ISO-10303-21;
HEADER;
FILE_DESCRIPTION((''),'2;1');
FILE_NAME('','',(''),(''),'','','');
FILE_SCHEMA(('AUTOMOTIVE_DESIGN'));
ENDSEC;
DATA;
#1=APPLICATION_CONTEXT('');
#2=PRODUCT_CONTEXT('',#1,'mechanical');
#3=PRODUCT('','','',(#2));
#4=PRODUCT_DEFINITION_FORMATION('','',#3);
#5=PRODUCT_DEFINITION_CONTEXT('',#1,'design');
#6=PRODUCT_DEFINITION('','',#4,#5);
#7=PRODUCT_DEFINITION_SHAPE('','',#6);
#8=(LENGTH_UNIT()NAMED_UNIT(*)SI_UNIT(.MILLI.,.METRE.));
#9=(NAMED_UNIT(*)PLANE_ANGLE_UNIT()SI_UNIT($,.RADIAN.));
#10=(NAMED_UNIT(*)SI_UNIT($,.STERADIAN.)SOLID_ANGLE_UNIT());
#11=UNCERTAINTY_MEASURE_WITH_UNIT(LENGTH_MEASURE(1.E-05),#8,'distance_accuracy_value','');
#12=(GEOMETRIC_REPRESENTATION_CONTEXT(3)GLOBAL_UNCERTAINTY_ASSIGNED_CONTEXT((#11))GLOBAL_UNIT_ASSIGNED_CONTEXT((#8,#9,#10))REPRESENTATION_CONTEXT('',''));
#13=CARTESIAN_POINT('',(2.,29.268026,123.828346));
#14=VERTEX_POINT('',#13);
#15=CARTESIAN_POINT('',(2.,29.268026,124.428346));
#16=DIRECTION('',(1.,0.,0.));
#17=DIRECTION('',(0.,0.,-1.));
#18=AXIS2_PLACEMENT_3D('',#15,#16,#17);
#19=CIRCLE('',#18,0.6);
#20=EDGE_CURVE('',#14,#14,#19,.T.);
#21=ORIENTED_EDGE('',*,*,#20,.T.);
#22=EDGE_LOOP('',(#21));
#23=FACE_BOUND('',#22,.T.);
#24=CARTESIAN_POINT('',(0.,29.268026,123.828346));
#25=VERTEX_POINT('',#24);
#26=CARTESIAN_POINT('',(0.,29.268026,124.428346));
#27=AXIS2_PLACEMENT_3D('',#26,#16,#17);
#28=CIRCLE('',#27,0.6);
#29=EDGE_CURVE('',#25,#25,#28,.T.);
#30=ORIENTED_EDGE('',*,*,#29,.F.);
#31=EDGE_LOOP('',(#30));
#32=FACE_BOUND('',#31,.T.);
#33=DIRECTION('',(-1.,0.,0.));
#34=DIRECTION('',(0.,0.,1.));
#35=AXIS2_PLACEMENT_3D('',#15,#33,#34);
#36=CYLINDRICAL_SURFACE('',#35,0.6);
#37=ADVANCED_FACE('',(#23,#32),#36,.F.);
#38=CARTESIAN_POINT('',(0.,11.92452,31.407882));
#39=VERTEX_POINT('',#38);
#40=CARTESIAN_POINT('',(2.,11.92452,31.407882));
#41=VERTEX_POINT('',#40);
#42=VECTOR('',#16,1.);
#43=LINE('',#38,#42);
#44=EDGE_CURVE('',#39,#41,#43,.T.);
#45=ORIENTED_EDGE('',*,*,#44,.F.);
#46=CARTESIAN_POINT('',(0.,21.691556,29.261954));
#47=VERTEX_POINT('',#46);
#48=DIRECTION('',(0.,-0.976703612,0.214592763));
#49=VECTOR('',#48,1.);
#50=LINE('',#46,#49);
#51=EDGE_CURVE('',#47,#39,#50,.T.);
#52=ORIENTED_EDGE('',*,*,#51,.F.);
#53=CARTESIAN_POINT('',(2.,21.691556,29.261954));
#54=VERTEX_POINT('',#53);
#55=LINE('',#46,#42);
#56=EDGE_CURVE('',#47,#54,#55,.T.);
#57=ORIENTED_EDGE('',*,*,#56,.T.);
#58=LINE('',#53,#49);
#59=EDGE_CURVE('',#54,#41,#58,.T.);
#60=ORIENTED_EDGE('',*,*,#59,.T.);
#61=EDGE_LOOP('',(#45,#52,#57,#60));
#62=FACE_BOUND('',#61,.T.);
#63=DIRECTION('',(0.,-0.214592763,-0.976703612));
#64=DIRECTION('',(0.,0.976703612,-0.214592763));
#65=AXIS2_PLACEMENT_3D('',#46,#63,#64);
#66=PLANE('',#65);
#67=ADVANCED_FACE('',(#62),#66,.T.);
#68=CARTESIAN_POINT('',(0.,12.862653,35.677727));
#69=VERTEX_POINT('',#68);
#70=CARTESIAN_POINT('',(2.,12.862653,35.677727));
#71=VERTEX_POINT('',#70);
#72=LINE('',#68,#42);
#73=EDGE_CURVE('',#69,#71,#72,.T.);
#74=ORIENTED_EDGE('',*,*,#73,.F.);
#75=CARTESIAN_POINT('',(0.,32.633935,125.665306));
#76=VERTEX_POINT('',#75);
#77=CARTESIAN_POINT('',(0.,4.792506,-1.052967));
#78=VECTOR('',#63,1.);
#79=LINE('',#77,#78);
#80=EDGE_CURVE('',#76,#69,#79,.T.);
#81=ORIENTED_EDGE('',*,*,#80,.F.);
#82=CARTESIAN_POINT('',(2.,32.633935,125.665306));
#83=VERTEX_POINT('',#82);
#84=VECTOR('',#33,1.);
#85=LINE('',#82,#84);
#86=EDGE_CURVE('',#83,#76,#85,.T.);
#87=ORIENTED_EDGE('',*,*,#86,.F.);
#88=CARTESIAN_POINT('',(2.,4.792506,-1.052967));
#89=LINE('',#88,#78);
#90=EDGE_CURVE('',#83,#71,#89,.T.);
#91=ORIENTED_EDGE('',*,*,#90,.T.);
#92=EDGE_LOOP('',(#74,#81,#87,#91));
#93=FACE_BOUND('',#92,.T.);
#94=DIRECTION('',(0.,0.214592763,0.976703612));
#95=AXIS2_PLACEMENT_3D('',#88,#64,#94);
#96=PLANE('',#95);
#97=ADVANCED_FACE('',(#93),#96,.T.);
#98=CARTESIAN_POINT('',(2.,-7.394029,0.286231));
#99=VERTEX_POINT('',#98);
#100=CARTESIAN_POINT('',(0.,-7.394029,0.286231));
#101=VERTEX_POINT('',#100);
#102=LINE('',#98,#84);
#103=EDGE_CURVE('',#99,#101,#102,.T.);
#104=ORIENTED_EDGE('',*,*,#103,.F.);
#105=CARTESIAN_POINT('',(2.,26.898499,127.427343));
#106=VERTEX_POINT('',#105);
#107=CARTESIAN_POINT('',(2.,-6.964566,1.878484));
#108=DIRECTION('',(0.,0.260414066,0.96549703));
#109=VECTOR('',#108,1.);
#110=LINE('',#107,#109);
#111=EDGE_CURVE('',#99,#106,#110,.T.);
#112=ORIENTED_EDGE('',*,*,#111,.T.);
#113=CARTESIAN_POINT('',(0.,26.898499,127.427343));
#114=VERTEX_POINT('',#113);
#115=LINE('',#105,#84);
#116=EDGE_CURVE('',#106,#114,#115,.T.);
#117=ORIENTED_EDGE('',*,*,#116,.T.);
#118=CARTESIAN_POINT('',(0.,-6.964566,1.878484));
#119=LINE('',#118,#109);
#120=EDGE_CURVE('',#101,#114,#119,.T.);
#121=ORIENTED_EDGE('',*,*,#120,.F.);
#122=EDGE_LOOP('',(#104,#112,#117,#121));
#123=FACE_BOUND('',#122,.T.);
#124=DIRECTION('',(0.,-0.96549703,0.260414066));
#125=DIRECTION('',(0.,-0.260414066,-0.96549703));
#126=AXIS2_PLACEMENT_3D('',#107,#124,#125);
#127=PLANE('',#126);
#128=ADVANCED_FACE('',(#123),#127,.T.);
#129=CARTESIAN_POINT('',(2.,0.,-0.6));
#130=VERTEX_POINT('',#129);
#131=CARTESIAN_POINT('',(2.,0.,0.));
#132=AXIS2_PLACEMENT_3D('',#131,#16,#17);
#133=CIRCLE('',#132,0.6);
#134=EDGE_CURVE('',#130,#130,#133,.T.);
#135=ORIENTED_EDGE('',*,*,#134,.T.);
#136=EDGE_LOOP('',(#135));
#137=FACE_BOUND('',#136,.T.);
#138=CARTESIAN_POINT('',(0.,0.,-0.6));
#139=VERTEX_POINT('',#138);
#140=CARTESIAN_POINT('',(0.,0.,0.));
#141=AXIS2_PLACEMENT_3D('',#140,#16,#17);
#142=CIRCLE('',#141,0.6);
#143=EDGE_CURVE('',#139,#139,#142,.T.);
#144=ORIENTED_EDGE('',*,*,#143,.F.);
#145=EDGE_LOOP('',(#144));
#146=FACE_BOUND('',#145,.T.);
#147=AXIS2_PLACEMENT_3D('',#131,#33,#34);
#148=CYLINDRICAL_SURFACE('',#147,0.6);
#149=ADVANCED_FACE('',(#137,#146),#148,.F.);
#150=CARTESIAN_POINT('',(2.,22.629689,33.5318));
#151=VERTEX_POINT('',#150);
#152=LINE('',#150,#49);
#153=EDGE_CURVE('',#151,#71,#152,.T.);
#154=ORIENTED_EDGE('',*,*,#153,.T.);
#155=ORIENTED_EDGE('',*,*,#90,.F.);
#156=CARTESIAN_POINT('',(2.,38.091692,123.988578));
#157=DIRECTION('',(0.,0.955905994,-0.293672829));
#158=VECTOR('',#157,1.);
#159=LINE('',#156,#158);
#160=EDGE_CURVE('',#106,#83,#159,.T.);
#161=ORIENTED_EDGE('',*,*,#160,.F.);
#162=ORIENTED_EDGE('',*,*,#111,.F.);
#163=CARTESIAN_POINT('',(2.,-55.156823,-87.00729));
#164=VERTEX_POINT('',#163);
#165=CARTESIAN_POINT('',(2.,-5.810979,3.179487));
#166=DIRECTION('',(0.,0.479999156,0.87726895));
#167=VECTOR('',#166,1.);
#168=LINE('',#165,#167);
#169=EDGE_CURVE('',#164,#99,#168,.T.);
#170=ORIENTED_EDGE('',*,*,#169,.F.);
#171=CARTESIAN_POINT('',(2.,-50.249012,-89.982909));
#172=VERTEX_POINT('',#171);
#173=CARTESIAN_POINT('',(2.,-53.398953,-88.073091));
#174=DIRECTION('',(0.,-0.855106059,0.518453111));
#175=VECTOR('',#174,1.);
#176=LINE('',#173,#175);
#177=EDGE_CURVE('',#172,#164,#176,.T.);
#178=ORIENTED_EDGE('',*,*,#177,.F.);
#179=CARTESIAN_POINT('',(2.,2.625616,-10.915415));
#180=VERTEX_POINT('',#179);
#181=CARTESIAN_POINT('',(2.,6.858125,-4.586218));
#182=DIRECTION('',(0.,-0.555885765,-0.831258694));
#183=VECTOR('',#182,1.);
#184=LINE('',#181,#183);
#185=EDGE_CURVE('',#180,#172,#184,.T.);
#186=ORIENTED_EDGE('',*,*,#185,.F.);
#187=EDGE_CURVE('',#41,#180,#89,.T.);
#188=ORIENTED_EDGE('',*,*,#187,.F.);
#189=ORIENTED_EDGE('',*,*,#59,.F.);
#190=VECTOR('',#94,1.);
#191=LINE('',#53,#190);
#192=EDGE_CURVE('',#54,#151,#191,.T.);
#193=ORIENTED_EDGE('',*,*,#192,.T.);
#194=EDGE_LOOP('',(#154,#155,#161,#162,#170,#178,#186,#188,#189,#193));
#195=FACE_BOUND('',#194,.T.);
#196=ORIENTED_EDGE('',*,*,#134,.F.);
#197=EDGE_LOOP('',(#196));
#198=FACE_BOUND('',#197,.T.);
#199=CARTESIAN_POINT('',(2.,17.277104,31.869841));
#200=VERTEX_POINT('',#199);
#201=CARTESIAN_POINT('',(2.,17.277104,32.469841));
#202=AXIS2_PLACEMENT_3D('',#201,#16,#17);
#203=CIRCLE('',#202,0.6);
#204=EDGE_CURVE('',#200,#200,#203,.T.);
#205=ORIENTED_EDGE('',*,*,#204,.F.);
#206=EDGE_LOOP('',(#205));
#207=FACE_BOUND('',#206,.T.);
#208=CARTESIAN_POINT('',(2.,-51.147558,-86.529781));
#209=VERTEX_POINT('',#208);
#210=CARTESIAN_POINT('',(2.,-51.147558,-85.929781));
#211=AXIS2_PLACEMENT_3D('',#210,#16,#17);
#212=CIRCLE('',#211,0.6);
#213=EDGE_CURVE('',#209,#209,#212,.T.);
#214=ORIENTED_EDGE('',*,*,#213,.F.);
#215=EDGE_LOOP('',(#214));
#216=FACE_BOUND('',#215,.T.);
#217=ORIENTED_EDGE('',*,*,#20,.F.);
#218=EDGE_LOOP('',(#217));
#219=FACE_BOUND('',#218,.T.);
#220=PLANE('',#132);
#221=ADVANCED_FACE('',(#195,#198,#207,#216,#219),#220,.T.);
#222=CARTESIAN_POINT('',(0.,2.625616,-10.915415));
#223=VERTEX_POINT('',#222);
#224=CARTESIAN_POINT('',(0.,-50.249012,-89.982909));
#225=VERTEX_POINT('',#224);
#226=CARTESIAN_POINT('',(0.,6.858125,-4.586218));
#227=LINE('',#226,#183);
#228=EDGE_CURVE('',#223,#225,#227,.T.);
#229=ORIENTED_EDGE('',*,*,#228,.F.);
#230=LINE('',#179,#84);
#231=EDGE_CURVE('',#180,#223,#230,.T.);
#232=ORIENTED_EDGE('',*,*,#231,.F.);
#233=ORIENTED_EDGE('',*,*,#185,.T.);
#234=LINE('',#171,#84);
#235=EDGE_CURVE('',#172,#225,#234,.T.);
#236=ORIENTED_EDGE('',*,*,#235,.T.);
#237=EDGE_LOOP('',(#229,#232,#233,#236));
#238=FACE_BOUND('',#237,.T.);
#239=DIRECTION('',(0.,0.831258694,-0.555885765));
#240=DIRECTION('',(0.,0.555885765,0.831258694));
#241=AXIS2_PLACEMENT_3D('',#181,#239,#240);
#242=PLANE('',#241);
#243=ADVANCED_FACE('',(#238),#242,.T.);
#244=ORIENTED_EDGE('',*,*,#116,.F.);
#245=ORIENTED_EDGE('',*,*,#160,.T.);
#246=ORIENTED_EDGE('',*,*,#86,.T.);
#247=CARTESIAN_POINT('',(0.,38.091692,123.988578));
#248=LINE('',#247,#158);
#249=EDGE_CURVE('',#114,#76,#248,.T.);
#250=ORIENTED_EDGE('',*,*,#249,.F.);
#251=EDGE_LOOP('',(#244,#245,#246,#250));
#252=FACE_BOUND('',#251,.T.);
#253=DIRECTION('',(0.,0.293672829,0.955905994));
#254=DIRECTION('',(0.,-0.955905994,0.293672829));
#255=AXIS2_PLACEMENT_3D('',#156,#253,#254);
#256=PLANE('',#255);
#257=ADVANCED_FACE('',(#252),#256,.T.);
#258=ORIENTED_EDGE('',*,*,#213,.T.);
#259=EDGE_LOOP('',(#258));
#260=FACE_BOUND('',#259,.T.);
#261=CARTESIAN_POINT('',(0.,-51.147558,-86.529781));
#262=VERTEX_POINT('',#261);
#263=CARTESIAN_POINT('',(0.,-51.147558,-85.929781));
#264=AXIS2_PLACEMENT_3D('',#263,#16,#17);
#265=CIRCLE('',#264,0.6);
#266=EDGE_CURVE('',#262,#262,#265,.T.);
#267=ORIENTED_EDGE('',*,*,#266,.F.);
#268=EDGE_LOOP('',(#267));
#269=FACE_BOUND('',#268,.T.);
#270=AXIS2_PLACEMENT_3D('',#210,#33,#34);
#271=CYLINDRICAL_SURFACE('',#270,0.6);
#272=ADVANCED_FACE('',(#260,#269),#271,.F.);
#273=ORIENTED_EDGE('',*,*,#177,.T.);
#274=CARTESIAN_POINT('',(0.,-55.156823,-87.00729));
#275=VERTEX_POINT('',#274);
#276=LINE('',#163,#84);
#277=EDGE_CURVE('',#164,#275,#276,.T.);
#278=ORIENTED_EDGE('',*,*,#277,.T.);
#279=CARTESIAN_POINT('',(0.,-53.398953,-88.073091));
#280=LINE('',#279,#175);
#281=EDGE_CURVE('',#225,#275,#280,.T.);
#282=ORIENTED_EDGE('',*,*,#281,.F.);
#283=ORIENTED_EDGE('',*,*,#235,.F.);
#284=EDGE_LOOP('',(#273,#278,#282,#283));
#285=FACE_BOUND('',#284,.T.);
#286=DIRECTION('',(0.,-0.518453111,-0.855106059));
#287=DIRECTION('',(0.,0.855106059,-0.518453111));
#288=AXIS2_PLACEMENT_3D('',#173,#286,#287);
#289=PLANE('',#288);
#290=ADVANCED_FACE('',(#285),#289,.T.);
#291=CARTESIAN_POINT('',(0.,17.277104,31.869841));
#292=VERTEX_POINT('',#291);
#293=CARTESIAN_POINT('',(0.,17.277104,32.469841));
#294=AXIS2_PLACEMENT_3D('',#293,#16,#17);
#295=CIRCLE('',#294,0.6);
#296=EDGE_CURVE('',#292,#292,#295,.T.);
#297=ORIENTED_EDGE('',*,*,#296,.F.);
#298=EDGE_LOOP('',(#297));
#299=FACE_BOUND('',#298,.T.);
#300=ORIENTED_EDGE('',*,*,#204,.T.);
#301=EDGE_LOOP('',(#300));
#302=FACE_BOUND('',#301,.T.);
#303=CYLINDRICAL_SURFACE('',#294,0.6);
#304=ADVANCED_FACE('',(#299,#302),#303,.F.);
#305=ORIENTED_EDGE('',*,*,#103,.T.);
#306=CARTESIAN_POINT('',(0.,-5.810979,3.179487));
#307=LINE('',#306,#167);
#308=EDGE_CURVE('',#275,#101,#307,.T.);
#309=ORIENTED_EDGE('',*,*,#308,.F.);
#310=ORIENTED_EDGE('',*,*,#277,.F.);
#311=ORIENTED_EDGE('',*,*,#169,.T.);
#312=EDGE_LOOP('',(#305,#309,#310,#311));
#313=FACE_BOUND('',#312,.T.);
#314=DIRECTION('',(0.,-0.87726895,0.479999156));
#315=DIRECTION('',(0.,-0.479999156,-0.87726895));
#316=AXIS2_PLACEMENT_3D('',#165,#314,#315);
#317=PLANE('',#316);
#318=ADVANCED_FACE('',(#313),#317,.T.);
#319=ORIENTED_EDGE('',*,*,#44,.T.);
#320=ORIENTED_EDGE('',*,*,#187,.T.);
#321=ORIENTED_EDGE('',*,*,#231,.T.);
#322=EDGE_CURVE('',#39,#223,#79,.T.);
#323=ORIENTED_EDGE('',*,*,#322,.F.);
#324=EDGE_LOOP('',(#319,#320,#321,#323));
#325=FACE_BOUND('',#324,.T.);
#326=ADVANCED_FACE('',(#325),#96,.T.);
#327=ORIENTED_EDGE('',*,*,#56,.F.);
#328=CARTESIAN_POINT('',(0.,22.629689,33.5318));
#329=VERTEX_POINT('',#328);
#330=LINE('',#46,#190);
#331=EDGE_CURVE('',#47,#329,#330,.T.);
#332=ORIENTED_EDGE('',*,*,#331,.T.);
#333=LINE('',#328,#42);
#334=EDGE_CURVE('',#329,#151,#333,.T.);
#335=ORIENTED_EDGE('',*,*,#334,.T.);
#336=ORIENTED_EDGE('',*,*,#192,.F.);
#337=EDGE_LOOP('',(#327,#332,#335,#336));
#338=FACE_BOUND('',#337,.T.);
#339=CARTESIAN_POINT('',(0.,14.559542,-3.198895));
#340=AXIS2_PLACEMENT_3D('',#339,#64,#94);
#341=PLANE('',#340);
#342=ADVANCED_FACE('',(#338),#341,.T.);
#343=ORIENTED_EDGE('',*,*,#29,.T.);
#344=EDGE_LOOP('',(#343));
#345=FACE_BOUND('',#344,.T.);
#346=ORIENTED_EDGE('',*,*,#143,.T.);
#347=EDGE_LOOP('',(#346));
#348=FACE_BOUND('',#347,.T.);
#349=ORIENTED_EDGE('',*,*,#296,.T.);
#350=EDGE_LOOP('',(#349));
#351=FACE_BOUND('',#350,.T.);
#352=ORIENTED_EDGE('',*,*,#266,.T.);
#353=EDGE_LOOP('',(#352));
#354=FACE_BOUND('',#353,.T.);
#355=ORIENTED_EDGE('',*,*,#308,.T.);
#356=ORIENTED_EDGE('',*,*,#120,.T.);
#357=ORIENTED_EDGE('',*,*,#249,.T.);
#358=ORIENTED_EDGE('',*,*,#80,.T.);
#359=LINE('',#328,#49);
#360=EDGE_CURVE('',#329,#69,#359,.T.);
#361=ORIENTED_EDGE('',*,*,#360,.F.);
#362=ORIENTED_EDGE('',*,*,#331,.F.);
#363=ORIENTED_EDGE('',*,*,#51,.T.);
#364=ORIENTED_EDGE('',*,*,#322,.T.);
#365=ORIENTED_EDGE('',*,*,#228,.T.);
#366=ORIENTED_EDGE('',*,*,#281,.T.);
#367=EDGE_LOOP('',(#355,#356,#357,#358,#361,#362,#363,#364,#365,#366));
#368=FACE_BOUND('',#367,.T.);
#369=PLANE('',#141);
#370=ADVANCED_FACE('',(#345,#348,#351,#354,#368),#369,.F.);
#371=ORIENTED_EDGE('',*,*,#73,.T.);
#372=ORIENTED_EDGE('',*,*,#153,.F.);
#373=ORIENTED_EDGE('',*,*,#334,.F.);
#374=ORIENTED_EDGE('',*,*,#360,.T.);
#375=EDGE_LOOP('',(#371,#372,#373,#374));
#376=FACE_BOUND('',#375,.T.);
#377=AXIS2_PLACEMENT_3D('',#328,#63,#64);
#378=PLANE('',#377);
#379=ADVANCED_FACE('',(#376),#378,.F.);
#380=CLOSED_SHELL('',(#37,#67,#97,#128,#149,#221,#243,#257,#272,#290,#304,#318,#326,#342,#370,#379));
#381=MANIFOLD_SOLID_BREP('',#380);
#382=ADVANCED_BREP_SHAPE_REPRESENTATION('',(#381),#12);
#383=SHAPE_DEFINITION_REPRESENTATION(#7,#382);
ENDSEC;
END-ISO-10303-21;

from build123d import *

# Parameters (mm, degrees)
SKETCH_1_R          = 0.6
EXTRUDE_1_DEPTH     = 2
SKETCH_2_W          = 2
SKETCH_2_H          = 4.371689855
EXTRUDE_2_DEPTH     = 10
SKETCH_3_R          = 0.6
CUT_EXTRUDE_1_DEPTH = 139.866853183


with BuildPart() as part:
    # 草图1 → 凸台-拉伸1 (new body)
    with BuildSketch(Plane(origin=(0, 0, 0), x_dir=(0, 0, -1), z_dir=(1, 0, 0))):
        Polygon((-125.665306235, 32.633935399), (10.915414504, 2.625615762), (89.98290861, -50.249012451), (87.007289875, -55.156822928), (-0.286231168, -7.394028573), (-127.427343209, 26.898499434), align=None)
        Circle(SKETCH_1_R, mode=Mode.SUBTRACT)
        with Locations((85.929781066, -51.147558357)):
            Circle(SKETCH_1_R, mode=Mode.SUBTRACT)
        with Locations((-124.4283455, 29.268026496)):
            Circle(SKETCH_1_R, mode=Mode.SUBTRACT)
    extrude(amount=EXTRUDE_1_DEPTH)

    # 草图2 → 凸台-拉伸2 (add)
    with BuildSketch(Plane(origin=(0, 4.792506233, -1.052967491), x_dir=(1, 0, 0), z_dir=(0, 0.9767036122693339, -0.21459276264598237))):
        with Locations((1, -35.420952271)):
            Rectangle(SKETCH_2_W, SKETCH_2_H)
    extrude(amount=EXTRUDE_2_DEPTH)

    # 草图3 → 切除-拉伸1 (cut, through all)
    with BuildSketch(Plane(origin=(2, 0, 0), x_dir=(0, 0, -1), z_dir=(1, 0, 0))):
        with Locations((-32.469840729, 17.277104298)):
            Circle(SKETCH_3_R)
    extrude(amount=-CUT_EXTRUDE_1_DEPTH, mode=Mode.SUBTRACT)


solid = part.part
